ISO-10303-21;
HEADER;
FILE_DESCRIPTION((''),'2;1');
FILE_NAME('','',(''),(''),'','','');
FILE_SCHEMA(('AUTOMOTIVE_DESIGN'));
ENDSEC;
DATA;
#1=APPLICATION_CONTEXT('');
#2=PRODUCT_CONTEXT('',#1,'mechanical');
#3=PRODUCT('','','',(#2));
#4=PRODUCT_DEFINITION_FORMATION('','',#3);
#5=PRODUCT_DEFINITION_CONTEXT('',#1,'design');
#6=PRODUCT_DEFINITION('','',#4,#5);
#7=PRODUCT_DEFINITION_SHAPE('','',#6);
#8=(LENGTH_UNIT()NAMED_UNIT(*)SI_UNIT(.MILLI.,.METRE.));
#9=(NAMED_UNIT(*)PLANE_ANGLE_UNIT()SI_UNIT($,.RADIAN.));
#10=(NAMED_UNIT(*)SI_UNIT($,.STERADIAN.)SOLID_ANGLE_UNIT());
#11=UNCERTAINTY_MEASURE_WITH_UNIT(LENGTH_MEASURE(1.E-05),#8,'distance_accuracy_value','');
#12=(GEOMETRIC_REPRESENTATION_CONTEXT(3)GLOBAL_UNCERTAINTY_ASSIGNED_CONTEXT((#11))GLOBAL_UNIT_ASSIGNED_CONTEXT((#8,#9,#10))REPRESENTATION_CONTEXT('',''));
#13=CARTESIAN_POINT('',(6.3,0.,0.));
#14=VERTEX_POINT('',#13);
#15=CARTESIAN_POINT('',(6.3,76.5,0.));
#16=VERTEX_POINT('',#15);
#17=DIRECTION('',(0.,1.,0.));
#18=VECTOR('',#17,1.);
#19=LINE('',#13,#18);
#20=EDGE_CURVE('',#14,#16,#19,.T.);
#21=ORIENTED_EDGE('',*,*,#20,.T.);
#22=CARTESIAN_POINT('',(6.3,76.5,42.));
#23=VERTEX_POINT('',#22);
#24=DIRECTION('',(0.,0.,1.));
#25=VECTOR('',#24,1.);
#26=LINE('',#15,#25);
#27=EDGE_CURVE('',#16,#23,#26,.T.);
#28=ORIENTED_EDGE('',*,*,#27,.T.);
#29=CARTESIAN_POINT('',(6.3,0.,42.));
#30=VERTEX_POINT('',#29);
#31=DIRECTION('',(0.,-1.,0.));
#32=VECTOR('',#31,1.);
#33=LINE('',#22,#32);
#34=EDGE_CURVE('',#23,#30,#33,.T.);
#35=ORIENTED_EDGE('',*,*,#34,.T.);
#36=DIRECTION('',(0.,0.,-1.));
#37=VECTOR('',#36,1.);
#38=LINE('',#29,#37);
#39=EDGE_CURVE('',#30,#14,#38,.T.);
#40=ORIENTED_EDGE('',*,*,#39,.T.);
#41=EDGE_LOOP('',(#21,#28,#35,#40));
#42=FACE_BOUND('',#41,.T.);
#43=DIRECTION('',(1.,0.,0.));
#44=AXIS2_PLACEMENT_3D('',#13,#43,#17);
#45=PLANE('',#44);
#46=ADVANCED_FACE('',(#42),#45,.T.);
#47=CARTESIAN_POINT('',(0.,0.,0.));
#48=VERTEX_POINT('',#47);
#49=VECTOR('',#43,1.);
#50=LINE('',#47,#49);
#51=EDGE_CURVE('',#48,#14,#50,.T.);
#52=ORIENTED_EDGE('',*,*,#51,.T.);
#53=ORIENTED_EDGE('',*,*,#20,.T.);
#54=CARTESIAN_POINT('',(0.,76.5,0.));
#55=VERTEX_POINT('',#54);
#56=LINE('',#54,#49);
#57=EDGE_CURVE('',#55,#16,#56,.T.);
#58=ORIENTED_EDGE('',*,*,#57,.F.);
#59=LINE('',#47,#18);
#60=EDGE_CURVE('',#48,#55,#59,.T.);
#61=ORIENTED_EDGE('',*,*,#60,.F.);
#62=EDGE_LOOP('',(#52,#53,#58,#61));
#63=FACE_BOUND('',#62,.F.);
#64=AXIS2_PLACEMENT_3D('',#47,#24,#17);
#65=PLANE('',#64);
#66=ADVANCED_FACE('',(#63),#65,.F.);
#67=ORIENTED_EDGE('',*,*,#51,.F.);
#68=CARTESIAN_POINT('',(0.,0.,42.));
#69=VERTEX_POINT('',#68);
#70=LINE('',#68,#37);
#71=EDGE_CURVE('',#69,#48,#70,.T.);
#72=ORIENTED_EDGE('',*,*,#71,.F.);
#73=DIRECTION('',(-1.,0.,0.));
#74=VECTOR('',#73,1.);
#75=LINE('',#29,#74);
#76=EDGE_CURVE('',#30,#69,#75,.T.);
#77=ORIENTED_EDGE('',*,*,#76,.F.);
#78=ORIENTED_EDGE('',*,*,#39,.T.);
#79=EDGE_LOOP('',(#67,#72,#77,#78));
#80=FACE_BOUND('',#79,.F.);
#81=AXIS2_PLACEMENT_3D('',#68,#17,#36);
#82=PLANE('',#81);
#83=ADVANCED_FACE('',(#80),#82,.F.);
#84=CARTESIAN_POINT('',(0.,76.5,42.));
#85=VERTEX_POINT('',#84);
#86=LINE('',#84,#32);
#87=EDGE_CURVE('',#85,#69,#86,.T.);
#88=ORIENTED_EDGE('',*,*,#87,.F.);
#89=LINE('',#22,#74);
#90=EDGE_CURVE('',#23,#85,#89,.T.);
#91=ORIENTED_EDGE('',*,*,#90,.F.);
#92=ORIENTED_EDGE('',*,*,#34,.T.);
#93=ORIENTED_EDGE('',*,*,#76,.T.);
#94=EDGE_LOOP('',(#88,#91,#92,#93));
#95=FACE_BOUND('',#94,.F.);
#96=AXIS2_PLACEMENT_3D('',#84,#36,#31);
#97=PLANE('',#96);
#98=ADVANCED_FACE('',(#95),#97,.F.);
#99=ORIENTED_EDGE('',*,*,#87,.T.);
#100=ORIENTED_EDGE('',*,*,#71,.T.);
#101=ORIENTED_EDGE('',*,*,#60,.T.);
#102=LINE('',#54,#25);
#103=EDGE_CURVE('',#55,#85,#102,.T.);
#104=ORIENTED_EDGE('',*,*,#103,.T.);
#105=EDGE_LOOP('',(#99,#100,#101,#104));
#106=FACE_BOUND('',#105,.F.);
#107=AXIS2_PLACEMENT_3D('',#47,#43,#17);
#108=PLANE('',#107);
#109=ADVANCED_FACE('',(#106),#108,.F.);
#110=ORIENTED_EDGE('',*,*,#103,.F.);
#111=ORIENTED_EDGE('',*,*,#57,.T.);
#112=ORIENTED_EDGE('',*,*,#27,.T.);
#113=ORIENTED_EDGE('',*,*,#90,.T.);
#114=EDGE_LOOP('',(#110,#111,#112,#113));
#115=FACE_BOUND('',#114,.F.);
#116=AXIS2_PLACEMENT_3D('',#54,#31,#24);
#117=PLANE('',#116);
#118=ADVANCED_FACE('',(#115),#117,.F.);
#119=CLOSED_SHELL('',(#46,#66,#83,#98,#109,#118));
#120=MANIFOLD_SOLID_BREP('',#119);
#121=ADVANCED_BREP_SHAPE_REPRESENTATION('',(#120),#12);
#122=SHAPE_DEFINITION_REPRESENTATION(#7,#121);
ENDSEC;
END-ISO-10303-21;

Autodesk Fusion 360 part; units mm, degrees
sketch "Sketch1" plane through (0, 0, 0) normal (1, 0, 0) x (0, 1, 0)
  line L0 (0, 0) -> (170.2, 0)
  line L1 (170.2, 0) -> (170.2, 111.2)
  line L2 (170.2, 111.2) -> (0, 111.2)
  line L3 (0, 111.2) -> (0, 0)
  dimension "d1" = 170.2
  dimension "d2" = 111.2
extrude "Extrude1" add sketch "Sketch1" along normal blind 0.7

Autodesk Fusion 360 part; units mm, degrees
sketch "Sketch1" plane through (0, 0, 0) normal (1, 0, 0) x (0, 1, 0)
  line L0 (0, 0) -> (76.5, 0)
  line L1 (76.5, 0) -> (76.5, 42)
  line L2 (76.5, 42) -> (0, 42)
  line L3 (0, 42) -> (0, 0)
  dimension "d1" = 76.5
  dimension "d2" = 42
extrude "Extrude1" add sketch "Sketch1" along normal blind 6.3
